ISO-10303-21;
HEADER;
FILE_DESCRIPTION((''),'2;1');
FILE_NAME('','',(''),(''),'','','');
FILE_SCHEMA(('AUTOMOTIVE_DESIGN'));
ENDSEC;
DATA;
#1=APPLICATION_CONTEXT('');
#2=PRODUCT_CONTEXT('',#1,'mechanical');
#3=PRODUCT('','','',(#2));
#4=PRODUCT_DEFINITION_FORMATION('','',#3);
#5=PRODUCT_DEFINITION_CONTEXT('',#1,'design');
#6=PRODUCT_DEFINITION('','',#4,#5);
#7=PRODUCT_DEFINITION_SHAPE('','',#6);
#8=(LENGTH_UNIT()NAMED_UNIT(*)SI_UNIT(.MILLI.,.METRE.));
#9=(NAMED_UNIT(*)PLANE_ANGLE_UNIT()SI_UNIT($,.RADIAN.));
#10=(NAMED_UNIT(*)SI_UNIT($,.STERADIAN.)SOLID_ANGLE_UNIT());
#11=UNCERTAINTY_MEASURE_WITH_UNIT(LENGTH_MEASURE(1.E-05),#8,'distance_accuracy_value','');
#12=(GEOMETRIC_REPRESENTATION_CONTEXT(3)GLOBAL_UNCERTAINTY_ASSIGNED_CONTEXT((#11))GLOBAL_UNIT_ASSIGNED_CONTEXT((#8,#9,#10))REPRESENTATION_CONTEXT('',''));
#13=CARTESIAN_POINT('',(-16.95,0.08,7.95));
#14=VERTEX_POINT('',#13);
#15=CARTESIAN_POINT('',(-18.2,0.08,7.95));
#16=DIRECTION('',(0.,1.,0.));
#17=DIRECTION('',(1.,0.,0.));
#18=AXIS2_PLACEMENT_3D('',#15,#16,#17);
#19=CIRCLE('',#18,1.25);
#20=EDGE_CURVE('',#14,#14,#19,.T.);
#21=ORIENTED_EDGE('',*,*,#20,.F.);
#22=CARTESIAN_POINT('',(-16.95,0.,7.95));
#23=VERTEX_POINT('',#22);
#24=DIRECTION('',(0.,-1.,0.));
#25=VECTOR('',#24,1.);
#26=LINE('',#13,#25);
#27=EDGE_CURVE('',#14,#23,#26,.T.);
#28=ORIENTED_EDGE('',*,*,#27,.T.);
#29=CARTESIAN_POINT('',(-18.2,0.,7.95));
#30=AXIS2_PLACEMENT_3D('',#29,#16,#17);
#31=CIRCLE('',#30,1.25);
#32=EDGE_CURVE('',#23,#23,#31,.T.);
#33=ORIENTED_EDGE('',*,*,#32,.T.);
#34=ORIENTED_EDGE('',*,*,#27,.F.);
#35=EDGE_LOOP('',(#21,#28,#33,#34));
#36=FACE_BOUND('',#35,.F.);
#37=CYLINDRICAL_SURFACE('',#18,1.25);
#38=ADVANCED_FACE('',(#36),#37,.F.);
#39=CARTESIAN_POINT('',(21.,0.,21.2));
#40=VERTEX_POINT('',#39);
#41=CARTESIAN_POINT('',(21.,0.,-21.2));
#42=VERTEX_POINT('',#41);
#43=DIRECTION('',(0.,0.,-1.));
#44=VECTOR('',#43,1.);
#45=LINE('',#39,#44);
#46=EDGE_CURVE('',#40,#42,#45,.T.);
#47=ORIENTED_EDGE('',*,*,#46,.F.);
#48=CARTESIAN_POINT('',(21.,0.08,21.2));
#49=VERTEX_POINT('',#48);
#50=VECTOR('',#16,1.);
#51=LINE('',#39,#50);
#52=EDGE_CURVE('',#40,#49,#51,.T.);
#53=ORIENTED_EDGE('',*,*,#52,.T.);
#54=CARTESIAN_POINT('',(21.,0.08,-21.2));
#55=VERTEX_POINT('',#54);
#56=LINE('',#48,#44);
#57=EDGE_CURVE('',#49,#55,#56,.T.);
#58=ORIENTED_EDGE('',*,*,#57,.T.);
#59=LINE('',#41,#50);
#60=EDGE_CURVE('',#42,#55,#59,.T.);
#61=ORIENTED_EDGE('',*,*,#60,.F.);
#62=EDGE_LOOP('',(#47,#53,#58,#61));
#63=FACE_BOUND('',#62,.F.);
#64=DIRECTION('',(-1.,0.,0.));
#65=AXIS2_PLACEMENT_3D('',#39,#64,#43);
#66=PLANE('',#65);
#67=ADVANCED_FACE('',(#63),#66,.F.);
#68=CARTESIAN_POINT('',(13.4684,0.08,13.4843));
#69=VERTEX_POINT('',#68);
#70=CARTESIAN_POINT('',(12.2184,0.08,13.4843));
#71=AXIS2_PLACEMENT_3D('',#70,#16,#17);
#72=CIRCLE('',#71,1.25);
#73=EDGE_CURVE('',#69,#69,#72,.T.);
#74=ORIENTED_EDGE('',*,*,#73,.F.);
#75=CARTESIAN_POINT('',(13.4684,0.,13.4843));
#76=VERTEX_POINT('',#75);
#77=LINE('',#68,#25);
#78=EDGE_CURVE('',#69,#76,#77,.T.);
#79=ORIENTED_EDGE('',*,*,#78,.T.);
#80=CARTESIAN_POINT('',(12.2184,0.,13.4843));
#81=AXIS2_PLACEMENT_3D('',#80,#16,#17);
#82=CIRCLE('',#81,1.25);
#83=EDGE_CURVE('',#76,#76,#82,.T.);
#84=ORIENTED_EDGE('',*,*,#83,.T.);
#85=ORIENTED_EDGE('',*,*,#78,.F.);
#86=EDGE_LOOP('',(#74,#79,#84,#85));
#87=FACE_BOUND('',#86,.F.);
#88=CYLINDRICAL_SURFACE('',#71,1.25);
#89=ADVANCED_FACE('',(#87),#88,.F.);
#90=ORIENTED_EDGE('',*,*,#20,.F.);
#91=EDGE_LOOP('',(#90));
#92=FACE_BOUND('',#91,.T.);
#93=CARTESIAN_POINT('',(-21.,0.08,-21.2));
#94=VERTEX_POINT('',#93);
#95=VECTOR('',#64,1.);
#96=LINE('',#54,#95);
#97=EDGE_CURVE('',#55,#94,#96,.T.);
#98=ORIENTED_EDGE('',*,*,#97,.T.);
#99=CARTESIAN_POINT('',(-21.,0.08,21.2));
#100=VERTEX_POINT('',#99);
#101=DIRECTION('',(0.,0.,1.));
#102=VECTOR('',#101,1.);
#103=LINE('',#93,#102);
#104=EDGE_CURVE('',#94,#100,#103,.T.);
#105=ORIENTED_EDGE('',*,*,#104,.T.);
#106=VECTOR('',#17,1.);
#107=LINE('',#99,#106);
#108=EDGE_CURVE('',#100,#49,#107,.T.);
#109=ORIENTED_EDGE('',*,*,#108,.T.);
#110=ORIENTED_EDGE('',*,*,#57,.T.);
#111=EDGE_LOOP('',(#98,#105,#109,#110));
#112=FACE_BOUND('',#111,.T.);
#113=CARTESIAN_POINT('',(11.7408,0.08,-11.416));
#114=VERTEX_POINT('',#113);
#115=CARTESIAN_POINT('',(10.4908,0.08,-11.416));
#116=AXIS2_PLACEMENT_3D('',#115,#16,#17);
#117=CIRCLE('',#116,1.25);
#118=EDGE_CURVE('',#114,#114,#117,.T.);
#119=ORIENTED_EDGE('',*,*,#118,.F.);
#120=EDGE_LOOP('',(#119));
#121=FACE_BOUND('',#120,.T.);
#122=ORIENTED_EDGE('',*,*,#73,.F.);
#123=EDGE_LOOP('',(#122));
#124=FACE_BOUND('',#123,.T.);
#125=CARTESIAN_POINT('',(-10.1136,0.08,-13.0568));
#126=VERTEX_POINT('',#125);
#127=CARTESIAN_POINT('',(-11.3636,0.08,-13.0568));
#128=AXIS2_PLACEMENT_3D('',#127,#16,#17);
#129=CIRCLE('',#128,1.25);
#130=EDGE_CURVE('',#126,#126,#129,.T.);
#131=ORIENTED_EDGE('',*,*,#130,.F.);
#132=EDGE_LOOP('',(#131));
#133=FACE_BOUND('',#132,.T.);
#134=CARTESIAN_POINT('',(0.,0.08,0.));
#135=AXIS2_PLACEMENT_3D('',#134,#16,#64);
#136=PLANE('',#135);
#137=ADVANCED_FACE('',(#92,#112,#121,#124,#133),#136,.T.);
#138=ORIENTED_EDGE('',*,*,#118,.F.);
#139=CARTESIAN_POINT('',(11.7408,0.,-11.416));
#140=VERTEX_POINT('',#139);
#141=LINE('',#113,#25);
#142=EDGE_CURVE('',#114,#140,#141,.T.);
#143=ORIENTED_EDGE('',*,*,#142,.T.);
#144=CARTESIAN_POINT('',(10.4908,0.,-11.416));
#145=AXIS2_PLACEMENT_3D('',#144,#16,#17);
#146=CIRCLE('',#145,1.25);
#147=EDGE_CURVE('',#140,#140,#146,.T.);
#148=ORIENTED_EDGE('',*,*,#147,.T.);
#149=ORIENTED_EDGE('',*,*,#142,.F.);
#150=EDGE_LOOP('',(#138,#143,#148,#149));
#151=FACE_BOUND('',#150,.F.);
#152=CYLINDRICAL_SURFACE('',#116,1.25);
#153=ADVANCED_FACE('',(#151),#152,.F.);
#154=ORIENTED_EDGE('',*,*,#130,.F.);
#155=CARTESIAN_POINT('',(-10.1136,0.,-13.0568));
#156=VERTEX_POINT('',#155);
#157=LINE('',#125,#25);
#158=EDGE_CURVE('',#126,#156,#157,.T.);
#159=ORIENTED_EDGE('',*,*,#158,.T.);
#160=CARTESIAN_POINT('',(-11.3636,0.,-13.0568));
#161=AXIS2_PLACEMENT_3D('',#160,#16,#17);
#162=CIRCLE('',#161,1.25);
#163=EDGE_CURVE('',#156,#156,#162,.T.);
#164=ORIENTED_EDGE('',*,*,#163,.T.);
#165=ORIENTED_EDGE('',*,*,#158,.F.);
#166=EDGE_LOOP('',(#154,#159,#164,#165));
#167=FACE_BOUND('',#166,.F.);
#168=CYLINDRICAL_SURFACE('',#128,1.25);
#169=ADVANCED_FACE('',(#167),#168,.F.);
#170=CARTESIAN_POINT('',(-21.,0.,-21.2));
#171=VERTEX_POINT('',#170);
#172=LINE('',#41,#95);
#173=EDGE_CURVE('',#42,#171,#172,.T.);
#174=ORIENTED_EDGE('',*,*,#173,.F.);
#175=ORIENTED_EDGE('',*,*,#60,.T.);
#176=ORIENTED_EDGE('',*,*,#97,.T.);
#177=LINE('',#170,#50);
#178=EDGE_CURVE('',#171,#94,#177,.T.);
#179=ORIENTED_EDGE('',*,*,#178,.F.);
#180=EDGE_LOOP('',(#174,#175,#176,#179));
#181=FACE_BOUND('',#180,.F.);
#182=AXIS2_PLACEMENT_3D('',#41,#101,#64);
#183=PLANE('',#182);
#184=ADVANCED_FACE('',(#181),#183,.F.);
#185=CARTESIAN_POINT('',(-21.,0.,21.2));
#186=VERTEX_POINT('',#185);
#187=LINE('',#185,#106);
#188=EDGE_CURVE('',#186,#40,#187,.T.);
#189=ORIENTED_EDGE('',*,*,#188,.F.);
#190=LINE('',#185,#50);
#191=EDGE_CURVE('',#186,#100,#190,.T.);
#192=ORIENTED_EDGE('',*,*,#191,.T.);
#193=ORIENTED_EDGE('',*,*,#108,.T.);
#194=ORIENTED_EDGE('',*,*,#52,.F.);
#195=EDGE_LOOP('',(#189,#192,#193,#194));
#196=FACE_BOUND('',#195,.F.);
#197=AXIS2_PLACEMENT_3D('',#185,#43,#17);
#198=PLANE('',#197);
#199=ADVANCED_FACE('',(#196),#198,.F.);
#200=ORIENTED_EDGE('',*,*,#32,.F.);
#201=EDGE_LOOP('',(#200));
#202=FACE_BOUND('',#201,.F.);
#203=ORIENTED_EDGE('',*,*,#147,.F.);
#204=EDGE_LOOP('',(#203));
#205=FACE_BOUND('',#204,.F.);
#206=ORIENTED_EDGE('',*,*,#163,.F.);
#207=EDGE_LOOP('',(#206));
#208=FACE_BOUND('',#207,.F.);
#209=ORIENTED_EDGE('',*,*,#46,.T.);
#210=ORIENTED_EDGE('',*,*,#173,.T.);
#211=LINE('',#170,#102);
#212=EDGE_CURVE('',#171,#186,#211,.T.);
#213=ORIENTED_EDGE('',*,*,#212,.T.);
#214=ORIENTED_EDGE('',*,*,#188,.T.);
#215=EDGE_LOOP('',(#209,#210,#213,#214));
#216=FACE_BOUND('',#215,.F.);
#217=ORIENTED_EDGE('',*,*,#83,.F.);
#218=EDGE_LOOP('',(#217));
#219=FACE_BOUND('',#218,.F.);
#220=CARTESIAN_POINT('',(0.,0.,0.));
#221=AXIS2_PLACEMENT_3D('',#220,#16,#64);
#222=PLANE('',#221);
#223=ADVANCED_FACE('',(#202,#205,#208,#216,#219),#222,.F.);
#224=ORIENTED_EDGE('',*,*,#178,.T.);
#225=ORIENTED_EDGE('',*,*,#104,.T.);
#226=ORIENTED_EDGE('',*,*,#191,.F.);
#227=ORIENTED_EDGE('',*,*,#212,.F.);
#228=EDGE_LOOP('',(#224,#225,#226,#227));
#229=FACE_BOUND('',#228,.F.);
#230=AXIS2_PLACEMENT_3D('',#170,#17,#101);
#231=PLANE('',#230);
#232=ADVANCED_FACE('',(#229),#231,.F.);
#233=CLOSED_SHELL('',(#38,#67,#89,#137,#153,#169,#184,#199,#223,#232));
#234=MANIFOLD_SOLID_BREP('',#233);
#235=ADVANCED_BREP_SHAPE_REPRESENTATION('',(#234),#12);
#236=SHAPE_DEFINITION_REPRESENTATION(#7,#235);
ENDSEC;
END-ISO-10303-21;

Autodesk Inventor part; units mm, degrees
ref_plane "YZ Plane" through (0, 0, 0) normal (1, 0, 0) x (0, 1, 0)
ref_plane "XZ Plane" through (0, 0, 0) normal (0, 1, 0) x (-1, 0, 0)
ref_plane "XY Plane" through (0, 0, 0) normal (0, 0, 1) x (1, 0, 0)
sketch "Sketch1" plane through (0, 0, 0) normal (0, 1, 0) x (-1, 0, 0)
  line L0 (-21, -21.2) -> (21, -21.2)
  line L1 (21, -21.2) -> (21, 21.2)
  line L2 (21, 21.2) -> (-21, 21.2)
  line L3 (-21, 21.2) -> (-21, -21.2)
  line L4 (-21, -21.2) -> (21, 21.2) construction
  line L5 (21, -21.2) -> (-21, 21.2) construction
  point P0 (0, 0)
  dimension "d0" = 42.4
  dimension "d1" = 42
extrude "Extrusion1" add sketch "Sketch1" along normal blind 0.08
sketch "Sketch2" plane through (0, 0.08, 0) normal (0, 1, 0) x (1, 0, 0)
  circle A0 centre (-11.3636, 13.0568) radius 1.25
  circle A1 centre (10.4908, 11.416) radius 1.25
  circle A2 centre (-18.2, -7.95) radius 1.25
  circle A3 centre (12.2184, -13.4843) radius 1.25
  line L0 (-21, -21.2) -> (21, -21.2) projected
  line L1 (-21, 21.2) -> (-21, -21.2) projected
  point P0 (0, 0)
  dimension "d4" = 2.5
  dimension "d5" = 13.25
  dimension "d6" = 2.8
extrude "Extrusion2" cut sketch "Sketch2" against normal through all
properties part number "Sensor Placement Film" material "Thermoplastic Resin"
